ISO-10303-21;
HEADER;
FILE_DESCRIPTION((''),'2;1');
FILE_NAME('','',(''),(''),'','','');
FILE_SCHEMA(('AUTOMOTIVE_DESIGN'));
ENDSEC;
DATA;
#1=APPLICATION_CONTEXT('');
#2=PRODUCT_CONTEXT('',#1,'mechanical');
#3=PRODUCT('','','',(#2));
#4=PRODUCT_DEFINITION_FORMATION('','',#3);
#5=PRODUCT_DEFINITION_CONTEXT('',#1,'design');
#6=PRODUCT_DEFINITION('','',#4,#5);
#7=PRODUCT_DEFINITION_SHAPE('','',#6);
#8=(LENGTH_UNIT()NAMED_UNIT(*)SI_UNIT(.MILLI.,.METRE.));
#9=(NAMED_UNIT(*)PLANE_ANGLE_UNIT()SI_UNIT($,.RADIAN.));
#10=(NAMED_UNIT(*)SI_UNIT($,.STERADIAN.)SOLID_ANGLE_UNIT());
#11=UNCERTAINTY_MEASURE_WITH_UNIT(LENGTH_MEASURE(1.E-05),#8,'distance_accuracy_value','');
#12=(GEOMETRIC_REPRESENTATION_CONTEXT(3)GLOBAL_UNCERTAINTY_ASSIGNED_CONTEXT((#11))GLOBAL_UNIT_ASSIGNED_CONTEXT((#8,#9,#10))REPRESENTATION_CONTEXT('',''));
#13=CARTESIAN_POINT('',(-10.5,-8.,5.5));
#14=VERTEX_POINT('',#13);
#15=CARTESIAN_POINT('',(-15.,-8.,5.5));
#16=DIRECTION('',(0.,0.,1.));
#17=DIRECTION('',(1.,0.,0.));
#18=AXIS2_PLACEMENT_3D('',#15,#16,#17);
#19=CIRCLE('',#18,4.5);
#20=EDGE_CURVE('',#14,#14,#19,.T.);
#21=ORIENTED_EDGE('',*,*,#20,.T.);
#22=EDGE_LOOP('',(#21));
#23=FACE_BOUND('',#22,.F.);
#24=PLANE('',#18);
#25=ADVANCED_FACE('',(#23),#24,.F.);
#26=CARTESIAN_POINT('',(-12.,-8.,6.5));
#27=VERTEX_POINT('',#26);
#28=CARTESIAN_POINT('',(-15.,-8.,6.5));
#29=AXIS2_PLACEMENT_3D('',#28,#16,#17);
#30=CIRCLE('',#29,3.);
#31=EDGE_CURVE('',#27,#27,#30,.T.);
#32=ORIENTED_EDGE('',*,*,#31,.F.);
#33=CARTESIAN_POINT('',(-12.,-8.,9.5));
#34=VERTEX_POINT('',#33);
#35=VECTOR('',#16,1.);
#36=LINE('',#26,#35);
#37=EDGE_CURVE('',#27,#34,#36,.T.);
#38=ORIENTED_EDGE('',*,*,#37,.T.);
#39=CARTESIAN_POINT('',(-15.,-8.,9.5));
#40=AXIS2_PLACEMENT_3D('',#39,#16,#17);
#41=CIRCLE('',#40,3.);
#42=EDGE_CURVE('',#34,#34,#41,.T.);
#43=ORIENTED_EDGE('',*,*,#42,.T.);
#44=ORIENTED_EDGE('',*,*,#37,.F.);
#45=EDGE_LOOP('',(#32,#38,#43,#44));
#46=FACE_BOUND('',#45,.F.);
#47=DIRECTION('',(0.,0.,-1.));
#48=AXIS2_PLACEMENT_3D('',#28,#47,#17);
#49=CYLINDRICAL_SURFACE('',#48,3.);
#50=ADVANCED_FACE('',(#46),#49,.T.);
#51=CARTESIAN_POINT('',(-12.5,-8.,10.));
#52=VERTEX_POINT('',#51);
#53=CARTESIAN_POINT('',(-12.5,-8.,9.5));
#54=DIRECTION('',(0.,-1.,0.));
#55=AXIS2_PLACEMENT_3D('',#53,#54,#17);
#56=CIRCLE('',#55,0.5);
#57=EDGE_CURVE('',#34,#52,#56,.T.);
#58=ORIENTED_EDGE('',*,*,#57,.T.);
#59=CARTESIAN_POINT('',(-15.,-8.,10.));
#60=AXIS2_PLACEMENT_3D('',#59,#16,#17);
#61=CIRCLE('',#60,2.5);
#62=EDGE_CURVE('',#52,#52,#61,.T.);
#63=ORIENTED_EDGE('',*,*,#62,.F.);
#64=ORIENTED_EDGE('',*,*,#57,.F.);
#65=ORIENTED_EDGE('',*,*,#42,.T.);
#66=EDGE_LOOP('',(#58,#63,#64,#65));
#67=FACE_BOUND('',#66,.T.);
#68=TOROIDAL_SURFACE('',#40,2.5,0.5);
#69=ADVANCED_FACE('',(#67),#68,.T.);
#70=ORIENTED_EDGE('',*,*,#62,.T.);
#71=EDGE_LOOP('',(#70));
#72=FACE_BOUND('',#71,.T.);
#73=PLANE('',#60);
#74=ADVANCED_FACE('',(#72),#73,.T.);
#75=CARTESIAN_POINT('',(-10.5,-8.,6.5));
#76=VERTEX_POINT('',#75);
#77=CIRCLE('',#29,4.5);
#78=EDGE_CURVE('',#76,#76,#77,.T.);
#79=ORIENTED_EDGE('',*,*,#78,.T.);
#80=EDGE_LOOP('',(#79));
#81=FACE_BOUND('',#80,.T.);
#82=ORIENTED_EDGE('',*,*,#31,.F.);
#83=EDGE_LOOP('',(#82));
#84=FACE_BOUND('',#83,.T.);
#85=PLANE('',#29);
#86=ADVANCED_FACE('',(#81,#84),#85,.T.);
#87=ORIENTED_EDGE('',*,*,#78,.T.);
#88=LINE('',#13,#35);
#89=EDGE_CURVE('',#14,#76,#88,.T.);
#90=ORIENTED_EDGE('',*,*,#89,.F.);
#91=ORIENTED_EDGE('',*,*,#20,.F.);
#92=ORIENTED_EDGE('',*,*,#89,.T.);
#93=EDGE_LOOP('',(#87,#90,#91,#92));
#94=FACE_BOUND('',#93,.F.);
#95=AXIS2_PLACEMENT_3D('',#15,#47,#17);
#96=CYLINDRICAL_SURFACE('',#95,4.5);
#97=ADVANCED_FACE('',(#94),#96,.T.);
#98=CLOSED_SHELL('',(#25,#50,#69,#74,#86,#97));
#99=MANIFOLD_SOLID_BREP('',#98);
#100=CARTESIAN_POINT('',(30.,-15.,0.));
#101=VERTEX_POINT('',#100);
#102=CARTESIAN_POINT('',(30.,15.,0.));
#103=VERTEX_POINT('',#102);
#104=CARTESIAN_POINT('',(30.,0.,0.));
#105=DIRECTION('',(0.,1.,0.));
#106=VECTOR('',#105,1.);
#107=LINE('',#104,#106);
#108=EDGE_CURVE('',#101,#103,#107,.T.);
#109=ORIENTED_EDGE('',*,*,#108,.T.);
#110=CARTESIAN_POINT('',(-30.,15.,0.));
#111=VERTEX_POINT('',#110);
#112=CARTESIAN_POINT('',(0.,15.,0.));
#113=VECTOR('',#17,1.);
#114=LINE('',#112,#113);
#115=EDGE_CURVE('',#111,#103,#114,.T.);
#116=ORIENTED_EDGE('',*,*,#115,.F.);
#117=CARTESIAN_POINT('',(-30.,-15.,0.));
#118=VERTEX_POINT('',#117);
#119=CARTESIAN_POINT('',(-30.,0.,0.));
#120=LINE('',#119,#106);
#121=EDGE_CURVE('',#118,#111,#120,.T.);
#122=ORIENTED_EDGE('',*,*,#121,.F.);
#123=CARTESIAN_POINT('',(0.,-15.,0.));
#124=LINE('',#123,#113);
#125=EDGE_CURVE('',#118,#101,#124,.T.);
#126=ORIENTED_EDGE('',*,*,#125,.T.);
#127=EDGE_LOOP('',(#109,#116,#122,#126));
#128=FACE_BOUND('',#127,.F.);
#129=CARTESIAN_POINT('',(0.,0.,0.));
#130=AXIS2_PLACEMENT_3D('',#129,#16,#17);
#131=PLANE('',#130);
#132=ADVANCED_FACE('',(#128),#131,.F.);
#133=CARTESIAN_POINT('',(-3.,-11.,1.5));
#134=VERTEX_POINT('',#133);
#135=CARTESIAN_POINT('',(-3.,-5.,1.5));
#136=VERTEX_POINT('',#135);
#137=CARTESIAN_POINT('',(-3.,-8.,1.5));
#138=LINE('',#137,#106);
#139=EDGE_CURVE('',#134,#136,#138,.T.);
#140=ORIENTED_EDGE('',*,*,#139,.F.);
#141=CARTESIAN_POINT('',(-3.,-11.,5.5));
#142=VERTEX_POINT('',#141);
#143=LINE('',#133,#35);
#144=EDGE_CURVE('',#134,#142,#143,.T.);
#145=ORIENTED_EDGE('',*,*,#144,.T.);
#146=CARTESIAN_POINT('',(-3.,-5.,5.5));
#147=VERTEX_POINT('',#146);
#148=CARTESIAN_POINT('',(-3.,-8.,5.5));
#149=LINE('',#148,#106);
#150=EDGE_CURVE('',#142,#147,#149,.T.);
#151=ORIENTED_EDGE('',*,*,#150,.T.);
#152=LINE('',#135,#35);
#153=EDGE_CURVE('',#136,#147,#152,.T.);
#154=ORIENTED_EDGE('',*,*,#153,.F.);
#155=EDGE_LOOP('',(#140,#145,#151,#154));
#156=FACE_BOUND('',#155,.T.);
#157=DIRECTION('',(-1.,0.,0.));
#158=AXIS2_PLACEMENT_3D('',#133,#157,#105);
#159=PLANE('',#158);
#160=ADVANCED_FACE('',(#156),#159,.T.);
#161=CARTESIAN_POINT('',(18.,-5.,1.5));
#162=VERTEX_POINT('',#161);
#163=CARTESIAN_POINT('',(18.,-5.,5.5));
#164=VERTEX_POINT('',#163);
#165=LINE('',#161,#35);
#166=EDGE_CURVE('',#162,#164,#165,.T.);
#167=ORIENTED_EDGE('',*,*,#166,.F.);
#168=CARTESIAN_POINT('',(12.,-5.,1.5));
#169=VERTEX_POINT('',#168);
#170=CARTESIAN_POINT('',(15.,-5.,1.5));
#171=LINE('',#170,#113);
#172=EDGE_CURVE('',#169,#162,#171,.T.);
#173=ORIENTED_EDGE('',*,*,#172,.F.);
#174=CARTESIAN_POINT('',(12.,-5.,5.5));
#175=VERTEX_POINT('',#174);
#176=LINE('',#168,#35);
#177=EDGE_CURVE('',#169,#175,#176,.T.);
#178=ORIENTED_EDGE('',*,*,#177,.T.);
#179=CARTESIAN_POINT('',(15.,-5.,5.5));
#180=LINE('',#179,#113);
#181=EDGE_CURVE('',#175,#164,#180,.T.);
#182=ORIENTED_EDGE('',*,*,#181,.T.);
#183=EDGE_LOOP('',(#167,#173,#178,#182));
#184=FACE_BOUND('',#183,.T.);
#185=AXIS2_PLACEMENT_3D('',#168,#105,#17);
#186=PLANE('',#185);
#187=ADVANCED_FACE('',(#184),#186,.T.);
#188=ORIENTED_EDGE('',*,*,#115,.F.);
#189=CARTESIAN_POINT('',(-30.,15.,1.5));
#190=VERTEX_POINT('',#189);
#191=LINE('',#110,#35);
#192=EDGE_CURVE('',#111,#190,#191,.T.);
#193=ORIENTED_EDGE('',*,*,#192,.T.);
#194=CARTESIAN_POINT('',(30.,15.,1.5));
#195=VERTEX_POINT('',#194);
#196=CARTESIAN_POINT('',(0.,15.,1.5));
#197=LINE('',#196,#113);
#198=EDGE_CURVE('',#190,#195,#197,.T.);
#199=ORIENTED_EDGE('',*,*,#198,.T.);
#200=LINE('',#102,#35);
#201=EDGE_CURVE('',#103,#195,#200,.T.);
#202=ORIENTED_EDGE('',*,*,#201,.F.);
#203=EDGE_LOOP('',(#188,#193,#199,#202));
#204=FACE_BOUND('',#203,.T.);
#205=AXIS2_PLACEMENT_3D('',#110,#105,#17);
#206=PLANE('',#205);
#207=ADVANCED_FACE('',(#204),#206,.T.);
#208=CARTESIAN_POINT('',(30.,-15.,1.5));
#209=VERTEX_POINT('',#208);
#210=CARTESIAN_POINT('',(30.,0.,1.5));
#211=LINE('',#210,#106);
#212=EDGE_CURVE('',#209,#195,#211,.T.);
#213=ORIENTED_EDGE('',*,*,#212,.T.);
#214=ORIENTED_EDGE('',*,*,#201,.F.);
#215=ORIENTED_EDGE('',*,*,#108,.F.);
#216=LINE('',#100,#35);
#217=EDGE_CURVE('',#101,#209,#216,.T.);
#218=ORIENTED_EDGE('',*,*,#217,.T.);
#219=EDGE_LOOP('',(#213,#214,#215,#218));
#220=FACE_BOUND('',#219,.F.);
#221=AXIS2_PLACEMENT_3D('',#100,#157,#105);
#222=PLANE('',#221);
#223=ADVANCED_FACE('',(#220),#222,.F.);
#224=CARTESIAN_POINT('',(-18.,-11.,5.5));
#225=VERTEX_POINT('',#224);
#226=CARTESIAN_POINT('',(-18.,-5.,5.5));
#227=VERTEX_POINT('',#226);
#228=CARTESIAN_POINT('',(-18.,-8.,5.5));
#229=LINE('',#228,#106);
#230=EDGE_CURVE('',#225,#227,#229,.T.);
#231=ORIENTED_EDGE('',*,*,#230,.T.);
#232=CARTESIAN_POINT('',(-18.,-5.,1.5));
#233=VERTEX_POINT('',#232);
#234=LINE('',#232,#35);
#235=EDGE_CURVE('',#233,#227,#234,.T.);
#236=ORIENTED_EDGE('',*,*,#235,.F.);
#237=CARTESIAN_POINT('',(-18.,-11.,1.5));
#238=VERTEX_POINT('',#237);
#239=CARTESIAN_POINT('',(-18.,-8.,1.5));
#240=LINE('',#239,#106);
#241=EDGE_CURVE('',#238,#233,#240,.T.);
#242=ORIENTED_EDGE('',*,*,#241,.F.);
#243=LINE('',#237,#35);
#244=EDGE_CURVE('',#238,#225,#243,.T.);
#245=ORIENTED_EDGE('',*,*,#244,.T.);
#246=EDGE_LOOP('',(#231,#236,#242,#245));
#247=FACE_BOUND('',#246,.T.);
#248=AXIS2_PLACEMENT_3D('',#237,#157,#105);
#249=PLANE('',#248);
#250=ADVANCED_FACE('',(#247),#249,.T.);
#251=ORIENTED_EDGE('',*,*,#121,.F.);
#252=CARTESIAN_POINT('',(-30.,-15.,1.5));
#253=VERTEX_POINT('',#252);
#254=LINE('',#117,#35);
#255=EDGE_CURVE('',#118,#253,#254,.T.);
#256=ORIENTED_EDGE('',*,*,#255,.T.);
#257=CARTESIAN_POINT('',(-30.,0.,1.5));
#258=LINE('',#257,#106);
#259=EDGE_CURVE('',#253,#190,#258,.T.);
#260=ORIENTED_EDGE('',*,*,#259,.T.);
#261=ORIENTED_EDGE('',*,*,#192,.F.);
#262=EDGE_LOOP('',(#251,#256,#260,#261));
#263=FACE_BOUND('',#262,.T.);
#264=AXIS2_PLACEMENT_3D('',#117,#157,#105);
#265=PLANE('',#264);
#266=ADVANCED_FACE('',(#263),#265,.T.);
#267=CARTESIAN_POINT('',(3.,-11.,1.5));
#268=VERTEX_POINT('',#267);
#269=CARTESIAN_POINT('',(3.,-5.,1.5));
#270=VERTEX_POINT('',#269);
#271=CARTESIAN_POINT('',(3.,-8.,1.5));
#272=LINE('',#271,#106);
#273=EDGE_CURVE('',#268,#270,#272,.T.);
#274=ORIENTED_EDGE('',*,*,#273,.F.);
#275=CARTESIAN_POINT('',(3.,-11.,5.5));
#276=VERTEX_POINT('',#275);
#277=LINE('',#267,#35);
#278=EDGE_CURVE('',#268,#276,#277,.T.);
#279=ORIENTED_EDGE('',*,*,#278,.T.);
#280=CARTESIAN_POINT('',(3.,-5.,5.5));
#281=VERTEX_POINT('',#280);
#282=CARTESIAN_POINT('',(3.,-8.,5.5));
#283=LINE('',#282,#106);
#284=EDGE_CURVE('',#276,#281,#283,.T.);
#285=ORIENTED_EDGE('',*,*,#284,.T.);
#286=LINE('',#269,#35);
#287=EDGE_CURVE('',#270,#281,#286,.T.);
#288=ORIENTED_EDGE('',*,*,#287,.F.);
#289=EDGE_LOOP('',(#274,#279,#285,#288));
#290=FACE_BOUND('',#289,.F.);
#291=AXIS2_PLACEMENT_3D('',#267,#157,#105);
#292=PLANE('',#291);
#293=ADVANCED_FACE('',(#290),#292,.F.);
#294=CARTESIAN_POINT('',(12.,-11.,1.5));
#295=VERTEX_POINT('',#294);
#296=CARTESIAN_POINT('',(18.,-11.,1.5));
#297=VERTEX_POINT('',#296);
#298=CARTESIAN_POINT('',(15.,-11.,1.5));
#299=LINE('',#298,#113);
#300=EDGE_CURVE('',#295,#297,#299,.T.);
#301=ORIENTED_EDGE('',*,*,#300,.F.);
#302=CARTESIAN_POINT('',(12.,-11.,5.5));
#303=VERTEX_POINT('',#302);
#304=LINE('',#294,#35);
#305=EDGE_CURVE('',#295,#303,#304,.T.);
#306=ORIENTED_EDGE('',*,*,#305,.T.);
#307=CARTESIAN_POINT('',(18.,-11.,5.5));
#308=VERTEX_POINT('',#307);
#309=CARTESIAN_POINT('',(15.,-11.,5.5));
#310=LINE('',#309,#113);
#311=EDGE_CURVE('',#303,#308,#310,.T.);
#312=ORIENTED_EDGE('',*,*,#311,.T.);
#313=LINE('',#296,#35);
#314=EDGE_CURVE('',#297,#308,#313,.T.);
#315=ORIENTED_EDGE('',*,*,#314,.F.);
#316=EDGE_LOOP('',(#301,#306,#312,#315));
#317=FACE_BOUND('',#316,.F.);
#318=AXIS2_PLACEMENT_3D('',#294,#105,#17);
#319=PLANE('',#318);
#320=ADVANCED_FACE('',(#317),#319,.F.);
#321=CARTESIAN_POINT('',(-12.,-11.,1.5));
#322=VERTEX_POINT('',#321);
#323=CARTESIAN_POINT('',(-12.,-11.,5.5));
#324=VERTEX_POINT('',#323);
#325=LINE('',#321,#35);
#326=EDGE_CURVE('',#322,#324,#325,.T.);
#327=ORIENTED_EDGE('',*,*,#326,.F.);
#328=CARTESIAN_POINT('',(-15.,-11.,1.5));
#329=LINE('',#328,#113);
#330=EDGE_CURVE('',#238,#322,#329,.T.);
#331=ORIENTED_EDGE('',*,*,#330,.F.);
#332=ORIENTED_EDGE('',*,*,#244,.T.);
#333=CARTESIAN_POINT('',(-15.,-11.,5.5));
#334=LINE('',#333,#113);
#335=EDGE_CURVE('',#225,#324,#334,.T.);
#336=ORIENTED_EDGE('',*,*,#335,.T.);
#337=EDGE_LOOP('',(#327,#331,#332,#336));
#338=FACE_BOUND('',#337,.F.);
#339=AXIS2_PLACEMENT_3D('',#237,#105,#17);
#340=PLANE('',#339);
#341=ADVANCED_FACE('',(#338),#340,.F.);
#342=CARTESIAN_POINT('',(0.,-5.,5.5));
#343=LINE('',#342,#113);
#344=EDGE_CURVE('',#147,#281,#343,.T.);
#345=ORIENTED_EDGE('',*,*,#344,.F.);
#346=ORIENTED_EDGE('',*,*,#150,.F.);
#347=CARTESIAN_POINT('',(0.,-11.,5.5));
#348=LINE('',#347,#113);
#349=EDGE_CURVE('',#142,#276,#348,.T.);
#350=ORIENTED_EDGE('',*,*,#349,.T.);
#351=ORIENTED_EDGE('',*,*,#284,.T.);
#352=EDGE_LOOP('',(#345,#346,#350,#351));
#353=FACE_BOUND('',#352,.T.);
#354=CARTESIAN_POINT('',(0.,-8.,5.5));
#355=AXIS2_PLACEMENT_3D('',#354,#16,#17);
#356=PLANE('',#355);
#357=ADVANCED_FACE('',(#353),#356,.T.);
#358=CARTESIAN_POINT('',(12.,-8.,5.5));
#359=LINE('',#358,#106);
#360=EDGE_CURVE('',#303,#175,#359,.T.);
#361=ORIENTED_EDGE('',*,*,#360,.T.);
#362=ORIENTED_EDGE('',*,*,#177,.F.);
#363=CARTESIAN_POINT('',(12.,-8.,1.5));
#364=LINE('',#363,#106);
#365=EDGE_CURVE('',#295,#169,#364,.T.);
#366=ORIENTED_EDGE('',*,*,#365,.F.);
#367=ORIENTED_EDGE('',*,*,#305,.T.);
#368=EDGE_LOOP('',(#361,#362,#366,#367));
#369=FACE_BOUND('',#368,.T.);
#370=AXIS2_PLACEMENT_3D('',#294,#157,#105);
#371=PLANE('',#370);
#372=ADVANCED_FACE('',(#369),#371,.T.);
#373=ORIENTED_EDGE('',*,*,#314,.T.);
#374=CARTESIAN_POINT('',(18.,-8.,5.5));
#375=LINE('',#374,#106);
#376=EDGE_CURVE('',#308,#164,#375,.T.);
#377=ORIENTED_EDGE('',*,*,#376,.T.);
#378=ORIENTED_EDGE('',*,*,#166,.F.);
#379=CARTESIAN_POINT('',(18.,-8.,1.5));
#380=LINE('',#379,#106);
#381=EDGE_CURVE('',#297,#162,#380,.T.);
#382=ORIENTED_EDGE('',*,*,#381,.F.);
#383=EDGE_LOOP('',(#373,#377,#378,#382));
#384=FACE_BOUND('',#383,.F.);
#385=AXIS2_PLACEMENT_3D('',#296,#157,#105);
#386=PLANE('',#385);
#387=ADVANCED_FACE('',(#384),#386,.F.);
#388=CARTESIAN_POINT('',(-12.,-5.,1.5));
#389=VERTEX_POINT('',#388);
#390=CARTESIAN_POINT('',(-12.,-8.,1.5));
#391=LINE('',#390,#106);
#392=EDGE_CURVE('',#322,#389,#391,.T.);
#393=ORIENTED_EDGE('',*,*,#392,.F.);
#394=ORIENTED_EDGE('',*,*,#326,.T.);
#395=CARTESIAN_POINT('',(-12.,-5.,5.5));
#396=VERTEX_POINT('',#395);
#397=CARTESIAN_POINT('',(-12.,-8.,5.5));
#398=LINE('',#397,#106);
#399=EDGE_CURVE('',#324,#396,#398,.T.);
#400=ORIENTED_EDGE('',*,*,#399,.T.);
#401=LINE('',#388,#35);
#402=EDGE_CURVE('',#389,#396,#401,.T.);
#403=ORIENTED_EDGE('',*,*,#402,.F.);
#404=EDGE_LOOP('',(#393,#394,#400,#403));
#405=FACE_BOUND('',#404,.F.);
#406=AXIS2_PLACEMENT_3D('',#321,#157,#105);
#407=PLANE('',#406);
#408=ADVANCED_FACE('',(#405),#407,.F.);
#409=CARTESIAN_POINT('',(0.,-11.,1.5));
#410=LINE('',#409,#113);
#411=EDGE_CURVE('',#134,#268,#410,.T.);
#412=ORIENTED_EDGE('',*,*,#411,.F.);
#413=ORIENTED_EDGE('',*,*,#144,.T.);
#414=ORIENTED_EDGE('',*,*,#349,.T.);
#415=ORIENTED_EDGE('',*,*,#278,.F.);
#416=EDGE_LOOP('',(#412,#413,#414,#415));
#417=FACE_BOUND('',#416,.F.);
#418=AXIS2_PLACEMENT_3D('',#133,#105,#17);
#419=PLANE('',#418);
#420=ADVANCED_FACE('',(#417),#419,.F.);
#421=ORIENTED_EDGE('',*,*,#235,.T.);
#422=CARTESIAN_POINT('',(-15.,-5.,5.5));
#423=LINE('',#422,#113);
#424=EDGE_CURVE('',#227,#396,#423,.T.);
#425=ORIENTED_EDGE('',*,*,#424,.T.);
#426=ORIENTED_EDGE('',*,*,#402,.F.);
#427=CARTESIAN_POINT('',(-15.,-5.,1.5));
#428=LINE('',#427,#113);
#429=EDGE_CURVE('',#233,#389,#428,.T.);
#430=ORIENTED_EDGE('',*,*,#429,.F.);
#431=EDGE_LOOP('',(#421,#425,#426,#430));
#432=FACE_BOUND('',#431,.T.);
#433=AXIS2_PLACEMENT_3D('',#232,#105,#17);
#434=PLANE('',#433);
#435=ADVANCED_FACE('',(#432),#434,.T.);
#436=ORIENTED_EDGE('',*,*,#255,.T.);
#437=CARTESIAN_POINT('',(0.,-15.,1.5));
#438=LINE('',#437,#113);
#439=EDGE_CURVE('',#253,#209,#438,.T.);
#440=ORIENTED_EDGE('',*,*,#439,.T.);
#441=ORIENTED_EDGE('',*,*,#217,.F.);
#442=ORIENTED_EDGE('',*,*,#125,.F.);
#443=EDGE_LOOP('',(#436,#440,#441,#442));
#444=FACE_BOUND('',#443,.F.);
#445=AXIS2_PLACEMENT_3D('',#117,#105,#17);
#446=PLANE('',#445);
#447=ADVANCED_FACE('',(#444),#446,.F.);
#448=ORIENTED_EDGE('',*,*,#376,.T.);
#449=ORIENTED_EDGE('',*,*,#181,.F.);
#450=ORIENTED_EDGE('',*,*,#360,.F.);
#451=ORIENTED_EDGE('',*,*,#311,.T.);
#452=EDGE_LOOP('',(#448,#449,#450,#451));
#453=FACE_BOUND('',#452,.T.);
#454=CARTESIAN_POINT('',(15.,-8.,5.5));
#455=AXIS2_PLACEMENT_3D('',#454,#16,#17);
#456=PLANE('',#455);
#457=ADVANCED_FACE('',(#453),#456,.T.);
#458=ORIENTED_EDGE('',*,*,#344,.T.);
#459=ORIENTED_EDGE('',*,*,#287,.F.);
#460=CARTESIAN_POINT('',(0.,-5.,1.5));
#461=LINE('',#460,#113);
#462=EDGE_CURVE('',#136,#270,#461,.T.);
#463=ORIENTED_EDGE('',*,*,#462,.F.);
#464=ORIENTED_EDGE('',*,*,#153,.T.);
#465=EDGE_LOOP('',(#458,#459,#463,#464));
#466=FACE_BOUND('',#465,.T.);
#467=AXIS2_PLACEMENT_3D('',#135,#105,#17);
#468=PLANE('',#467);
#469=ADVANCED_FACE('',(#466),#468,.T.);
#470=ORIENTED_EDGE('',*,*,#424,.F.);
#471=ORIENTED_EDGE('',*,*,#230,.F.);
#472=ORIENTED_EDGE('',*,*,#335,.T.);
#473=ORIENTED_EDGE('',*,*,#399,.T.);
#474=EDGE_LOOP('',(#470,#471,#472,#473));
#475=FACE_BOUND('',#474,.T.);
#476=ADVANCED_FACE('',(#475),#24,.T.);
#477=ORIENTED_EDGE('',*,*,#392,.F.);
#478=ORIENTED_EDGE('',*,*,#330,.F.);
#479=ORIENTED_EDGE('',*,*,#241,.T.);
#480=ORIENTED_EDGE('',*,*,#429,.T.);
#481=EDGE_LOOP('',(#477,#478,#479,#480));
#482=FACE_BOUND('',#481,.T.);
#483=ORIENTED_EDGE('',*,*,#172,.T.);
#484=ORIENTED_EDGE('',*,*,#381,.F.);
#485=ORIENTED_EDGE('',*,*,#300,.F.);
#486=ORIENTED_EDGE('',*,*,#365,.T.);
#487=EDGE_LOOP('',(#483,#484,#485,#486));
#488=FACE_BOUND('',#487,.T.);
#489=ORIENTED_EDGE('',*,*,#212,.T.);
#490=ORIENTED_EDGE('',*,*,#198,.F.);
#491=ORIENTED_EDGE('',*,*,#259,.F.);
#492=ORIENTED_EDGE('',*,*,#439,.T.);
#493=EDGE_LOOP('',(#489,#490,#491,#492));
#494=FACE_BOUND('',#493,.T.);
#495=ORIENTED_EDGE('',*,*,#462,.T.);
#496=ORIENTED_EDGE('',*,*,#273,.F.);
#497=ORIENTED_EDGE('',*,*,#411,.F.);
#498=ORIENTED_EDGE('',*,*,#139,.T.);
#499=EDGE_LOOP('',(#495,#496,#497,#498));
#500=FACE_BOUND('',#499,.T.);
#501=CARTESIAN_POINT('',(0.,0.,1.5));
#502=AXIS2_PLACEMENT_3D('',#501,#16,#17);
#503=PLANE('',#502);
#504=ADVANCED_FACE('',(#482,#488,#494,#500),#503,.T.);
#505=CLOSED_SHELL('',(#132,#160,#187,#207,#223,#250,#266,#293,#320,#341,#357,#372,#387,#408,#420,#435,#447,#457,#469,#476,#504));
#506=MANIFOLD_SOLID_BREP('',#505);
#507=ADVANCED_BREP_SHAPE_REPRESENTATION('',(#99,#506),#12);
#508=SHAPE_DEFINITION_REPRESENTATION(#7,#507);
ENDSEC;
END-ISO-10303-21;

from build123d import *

# Parameters (mm, degrees)
F0_W     = 60
F0_H     = 30
F1_DEPTH = 1.5
F2_W     = 6
F2_H     = 6
F3_DEPTH = 4
F4_R     = 4.5
F5_DEPTH = 1
F6_R     = 3
F7_DEPTH = 3.5
F8_R     = 0.5


with BuildPart() as f1:
    # F0 (on Top) → F1 (new body)
    with BuildSketch(Plane.XY):
        Rectangle(F0_W, F0_H)
    extrude(amount=F1_DEPTH)

    # F2 (on face) → F3 (join)
    with BuildSketch(Plane.XY.offset(1.5)):
        with Locations((-15, -8)):
            Rectangle(F2_W, F2_H)
        with Locations((0, -8)):
            Rectangle(F2_W, F2_H)
        with Locations((15, -8)):
            Rectangle(F2_W, F2_H)
    extrude(amount=F3_DEPTH)


with BuildPart() as f5:
    # F4 (on face) → F5 (new body)
    with BuildSketch(Plane.XY.offset(5.5)):
        with Locations((-15, -8)):
            Circle(F4_R)
    extrude(amount=F5_DEPTH)

    # F6 (on face) → F7 (join)
    with BuildSketch(Plane.XY.offset(6.5)):
        with Locations((-15, -8)):
            Circle(F6_R)
    extrude(amount=F7_DEPTH)

    # F8
    f8_edges = [f5.edges().sort_by_distance(p)[0] for p in [
        (-18, -8, 10),
    ]]
    fillet(f8_edges, radius=F8_R)


solid = Compound([f1.part, f5.part])
